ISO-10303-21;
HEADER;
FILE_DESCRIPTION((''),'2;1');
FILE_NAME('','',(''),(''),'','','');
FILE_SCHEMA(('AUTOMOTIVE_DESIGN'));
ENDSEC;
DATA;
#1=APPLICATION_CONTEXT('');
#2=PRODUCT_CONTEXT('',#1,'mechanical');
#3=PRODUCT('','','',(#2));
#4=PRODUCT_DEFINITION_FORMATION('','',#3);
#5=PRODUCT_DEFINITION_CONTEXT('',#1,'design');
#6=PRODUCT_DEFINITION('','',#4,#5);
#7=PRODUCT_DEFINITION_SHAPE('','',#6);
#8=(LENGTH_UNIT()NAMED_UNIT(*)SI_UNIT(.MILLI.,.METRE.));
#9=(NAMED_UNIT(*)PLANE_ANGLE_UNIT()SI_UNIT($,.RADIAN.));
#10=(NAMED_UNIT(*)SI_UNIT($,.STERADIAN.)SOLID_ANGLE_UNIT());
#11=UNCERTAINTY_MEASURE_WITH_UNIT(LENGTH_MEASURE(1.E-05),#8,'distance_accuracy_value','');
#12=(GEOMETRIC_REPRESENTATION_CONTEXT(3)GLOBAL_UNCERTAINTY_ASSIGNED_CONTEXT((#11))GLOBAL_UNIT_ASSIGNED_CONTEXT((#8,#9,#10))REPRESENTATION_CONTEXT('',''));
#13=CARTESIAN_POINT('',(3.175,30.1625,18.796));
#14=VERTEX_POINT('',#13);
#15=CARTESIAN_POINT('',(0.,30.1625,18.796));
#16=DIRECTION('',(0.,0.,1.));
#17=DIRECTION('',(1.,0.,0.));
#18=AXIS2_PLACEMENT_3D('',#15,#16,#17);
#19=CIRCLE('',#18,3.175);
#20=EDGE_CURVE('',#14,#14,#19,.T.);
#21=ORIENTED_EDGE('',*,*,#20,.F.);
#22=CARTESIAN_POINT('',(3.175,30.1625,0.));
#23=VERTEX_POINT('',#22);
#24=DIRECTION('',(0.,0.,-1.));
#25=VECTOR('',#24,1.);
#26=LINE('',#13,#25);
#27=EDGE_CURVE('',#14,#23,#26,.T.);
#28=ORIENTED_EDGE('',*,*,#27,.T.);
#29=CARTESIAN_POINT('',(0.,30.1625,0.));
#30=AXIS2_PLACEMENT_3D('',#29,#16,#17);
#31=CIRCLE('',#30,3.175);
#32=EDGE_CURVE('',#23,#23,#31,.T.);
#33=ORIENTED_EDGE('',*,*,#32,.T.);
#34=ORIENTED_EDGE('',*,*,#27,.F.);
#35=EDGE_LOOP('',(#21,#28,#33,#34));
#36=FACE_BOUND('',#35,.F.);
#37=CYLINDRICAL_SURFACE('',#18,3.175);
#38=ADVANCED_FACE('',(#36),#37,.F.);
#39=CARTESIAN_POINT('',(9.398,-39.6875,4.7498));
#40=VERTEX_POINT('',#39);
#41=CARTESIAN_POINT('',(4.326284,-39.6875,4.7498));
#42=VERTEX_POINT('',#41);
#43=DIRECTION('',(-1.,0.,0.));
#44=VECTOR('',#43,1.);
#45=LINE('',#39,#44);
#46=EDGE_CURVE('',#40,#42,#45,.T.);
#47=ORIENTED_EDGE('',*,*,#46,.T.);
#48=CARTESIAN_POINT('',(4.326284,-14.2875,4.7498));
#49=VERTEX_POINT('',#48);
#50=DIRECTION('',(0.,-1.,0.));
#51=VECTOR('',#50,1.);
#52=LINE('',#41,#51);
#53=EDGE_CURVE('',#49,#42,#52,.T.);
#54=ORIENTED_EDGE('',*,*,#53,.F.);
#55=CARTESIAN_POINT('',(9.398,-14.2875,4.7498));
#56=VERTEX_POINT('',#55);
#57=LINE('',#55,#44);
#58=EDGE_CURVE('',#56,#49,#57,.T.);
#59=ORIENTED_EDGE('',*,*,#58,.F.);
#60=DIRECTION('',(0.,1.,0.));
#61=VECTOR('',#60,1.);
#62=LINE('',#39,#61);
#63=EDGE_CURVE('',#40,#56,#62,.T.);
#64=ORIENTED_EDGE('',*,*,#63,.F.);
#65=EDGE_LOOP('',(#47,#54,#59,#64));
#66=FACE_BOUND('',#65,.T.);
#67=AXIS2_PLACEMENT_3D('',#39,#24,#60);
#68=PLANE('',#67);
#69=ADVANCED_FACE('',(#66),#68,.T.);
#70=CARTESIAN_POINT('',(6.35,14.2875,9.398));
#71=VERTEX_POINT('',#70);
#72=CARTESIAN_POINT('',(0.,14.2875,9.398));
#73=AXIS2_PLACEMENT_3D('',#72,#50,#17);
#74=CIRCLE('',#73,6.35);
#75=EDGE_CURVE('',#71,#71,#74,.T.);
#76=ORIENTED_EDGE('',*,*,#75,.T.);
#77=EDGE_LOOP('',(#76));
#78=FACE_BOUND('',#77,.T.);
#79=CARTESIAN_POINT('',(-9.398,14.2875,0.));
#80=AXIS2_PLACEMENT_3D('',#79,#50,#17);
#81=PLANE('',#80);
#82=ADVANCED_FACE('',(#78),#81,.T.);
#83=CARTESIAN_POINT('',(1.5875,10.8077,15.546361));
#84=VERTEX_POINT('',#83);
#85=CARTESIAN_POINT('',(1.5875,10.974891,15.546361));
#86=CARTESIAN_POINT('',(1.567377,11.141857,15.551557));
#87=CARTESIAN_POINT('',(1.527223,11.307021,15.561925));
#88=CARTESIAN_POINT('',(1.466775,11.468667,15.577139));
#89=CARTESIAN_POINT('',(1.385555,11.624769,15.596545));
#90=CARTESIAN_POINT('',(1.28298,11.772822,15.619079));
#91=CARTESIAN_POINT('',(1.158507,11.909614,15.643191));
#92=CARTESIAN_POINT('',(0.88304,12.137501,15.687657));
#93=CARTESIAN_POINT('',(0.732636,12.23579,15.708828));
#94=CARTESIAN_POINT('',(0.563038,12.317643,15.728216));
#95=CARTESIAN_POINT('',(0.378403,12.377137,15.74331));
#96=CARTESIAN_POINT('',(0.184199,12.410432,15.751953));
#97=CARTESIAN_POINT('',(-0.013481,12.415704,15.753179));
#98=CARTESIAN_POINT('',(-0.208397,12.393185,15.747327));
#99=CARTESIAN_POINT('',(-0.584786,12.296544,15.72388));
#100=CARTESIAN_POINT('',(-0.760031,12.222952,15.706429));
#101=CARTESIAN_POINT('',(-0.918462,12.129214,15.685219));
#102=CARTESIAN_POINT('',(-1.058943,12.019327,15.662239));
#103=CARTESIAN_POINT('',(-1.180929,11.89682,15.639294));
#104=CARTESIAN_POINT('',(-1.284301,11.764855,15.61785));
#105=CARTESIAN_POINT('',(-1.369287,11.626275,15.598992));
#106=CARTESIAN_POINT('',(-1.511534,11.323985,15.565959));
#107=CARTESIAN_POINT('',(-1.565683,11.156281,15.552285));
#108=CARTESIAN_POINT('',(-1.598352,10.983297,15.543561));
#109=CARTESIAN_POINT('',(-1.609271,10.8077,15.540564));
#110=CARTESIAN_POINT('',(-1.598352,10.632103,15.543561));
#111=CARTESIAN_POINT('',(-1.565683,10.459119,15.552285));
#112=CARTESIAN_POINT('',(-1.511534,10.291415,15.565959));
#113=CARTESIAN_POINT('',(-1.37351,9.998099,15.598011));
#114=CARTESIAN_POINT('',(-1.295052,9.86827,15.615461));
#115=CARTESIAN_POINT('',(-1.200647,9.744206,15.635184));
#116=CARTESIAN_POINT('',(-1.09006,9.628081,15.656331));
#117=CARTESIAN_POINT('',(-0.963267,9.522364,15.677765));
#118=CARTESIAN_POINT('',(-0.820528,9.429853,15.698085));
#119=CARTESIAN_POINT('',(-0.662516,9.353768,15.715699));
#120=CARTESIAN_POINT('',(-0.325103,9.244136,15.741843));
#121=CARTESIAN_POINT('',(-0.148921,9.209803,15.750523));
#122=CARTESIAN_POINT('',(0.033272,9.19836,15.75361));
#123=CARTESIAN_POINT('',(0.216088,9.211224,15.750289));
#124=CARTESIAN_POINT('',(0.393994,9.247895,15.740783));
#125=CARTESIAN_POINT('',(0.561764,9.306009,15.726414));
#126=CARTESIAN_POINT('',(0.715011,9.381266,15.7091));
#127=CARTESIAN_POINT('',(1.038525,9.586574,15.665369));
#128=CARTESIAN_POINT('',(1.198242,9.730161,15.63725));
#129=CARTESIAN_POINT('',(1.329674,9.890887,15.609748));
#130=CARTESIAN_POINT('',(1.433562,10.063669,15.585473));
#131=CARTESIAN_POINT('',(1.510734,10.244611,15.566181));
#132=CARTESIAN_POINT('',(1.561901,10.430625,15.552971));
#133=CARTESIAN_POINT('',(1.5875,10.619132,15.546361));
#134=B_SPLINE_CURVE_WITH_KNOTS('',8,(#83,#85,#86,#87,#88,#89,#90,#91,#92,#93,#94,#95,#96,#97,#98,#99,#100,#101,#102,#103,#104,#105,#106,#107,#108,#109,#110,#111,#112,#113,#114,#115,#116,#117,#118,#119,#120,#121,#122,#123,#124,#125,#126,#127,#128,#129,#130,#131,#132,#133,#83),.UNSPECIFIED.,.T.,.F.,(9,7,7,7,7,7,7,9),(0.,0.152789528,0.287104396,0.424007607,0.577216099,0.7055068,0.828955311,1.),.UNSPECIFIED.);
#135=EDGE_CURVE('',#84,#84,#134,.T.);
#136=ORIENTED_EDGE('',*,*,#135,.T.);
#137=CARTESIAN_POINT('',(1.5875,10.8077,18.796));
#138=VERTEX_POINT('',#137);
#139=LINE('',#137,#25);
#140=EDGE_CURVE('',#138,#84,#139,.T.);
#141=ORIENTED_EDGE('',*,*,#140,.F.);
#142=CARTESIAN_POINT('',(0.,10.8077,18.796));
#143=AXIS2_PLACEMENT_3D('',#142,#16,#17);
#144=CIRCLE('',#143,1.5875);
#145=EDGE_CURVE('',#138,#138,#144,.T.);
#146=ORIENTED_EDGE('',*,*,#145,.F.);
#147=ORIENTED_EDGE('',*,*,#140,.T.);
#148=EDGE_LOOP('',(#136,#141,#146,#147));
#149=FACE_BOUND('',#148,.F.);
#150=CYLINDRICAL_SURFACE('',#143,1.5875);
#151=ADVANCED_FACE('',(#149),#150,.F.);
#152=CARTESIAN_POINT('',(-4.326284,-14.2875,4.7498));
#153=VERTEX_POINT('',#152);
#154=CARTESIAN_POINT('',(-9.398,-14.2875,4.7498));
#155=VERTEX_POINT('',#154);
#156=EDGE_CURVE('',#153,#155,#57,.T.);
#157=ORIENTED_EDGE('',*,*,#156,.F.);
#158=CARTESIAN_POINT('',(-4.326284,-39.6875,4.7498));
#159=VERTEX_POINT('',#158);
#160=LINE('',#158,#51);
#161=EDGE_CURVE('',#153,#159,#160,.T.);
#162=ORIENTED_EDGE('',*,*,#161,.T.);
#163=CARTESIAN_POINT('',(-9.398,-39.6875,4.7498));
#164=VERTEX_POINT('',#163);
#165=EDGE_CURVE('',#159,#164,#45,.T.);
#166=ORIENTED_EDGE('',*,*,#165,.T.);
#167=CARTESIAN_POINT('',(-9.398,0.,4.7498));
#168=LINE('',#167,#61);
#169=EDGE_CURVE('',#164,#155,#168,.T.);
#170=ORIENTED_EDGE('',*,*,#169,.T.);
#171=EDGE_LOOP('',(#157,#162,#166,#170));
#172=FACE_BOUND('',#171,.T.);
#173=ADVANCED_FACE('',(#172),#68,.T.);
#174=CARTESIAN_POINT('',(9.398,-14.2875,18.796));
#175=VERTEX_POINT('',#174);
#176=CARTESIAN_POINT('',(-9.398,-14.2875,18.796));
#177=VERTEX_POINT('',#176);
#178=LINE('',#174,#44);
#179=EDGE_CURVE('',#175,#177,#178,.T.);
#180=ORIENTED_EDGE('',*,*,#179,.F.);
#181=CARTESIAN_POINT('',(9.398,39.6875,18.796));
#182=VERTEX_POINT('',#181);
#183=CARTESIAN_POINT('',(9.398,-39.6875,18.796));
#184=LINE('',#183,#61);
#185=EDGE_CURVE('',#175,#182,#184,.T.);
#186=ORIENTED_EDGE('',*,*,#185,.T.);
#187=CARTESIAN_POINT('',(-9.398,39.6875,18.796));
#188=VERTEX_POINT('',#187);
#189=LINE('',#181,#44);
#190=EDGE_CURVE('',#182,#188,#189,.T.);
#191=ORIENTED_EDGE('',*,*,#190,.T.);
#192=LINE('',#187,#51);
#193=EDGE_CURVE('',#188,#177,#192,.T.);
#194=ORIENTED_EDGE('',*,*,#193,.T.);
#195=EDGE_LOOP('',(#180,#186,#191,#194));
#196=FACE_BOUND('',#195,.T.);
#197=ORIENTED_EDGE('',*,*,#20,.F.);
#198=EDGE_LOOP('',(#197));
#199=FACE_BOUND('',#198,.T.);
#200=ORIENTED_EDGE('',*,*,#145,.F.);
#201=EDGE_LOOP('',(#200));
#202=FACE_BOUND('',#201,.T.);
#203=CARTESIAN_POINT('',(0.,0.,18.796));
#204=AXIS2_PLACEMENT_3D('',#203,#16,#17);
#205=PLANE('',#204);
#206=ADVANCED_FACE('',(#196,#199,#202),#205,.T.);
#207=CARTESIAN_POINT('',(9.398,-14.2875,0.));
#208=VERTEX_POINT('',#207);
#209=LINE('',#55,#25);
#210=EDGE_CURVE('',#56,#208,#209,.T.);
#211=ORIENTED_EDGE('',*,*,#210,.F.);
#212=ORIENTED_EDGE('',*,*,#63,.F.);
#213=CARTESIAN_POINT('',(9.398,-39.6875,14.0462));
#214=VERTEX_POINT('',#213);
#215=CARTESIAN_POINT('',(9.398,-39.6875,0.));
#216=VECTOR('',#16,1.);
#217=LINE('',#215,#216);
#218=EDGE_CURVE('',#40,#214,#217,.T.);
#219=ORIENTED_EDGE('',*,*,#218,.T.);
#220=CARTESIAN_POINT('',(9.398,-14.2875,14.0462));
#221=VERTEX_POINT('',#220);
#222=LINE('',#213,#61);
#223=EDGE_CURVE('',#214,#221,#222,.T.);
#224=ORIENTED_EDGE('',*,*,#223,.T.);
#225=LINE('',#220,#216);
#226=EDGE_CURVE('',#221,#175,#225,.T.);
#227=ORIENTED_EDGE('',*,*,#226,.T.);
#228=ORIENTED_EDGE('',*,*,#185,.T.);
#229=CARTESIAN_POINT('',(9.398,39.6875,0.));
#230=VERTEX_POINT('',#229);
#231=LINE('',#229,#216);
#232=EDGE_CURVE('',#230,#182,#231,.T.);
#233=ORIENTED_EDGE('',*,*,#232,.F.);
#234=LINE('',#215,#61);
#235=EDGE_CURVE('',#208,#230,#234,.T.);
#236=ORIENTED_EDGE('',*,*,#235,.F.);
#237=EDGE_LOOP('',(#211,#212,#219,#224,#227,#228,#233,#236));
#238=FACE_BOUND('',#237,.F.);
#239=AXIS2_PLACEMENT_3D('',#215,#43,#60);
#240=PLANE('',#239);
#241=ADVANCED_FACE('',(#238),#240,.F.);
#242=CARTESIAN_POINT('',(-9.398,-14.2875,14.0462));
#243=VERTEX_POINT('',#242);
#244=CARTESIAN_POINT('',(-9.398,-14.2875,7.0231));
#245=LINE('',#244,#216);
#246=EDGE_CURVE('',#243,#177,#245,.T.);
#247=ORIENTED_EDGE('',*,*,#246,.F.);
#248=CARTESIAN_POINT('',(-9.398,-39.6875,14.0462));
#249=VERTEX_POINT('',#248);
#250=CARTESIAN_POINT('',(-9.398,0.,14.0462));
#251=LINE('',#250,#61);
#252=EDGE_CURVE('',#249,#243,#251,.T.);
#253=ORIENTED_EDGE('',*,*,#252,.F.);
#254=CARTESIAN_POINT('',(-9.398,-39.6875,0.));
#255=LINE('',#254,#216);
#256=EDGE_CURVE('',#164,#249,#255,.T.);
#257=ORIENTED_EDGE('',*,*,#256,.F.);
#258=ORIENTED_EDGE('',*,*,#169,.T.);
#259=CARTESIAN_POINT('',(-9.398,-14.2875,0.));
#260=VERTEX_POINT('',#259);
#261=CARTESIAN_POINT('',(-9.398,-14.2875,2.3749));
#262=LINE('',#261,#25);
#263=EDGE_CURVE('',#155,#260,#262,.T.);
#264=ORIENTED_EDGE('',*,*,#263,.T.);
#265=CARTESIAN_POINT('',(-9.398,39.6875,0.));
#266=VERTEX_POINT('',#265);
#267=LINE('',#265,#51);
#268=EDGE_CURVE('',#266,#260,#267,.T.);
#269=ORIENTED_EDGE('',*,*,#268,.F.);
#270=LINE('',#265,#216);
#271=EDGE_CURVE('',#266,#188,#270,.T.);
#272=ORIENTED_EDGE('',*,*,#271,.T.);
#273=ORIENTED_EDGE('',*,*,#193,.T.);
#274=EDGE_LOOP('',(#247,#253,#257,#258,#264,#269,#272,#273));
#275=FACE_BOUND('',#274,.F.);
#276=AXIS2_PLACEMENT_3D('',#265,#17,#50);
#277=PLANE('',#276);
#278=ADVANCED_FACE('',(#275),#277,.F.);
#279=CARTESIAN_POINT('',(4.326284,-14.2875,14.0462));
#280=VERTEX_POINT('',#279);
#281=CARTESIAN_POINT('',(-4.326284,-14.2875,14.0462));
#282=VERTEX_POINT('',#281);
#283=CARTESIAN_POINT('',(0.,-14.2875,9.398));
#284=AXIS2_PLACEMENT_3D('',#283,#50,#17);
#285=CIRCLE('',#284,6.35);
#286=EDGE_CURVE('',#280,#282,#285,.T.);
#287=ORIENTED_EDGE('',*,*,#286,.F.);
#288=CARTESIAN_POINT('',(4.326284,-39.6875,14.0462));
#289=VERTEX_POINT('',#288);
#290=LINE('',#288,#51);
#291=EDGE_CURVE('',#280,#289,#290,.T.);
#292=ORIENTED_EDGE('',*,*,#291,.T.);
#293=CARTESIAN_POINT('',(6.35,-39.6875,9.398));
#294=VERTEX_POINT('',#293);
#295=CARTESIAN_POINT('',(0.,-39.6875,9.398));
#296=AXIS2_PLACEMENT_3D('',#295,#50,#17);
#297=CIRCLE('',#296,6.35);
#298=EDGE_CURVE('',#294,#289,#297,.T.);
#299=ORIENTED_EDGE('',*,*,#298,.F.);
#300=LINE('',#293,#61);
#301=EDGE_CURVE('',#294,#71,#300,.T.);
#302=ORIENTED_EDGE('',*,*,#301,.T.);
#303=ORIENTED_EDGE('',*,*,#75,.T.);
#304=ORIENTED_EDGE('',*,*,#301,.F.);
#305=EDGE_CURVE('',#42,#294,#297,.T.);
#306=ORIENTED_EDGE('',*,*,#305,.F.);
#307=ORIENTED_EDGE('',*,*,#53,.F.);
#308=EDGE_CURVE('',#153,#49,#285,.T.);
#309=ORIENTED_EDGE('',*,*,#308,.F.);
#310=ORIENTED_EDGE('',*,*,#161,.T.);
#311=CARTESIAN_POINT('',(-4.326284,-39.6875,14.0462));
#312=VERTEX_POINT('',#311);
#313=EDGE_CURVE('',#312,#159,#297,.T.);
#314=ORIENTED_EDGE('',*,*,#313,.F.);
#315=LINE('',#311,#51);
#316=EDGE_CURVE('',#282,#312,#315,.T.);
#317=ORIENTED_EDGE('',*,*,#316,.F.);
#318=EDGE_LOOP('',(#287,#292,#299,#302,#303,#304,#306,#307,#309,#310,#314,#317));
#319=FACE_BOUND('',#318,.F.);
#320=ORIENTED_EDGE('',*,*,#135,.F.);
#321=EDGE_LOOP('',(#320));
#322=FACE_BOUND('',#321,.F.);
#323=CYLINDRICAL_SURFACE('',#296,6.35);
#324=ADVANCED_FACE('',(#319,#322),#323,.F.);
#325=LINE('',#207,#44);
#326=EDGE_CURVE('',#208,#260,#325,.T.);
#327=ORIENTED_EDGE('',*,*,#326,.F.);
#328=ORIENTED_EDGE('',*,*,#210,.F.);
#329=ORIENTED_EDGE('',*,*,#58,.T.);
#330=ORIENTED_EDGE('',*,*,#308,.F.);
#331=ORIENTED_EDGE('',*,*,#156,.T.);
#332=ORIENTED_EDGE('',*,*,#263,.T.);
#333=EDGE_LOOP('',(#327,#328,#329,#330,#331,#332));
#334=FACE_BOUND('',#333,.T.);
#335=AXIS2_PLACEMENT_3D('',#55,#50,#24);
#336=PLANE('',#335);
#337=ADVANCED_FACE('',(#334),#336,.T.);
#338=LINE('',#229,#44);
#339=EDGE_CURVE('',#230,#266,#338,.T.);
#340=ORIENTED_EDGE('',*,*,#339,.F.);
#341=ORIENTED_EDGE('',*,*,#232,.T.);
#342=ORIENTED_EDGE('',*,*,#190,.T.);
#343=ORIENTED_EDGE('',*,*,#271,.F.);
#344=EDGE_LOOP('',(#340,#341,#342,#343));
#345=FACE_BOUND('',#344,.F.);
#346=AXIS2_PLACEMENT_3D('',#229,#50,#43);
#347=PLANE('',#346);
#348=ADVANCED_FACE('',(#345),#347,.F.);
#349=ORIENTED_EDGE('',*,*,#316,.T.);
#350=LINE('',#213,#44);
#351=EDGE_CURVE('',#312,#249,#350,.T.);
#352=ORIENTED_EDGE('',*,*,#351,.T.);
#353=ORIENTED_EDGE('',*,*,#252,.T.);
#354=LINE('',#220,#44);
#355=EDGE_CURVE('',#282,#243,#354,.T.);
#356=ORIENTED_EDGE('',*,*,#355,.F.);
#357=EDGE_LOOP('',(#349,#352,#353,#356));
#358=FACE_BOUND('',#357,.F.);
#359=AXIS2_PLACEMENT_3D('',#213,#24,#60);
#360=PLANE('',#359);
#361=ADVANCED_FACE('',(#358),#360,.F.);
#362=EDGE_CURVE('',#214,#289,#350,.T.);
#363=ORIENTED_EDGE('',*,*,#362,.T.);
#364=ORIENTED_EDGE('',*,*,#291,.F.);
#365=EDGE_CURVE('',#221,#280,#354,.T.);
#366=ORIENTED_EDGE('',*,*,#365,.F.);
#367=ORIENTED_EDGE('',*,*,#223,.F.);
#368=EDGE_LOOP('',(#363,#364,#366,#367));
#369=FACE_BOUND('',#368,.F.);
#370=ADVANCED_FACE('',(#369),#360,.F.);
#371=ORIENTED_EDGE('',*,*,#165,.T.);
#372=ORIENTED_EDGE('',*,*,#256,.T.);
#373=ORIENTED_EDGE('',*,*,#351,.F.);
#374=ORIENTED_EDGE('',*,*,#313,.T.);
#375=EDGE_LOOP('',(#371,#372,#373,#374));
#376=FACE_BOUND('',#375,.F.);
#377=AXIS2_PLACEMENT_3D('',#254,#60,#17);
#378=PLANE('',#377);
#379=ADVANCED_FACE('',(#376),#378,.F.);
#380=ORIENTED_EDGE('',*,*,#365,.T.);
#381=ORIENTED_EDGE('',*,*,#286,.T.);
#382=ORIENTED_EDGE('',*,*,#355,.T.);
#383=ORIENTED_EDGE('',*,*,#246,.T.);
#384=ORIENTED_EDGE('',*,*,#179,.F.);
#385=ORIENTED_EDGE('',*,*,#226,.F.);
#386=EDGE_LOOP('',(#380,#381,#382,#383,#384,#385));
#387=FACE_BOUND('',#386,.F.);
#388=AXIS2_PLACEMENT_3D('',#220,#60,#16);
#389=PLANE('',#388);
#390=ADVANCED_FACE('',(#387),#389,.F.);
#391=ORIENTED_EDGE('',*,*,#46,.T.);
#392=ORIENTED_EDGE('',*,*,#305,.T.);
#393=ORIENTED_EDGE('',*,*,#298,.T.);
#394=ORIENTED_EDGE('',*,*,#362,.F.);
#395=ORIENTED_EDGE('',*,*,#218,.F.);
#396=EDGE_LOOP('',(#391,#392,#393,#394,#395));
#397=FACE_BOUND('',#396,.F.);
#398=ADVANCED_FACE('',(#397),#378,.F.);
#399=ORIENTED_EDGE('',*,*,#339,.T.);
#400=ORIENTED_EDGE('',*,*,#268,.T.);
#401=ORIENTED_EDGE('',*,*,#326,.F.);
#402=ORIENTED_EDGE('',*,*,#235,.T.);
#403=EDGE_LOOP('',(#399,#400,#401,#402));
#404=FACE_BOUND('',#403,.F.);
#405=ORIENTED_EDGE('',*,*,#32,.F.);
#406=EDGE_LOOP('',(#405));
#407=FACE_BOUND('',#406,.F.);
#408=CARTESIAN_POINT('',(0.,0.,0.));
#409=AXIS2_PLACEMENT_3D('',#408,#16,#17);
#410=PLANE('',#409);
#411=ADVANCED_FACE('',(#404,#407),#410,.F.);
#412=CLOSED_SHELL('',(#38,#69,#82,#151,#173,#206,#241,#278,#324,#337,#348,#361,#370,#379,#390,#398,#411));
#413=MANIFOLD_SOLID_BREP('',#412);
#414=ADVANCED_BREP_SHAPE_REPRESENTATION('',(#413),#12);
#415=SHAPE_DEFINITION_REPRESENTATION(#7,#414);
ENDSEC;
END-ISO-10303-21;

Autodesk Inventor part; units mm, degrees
ref_plane "YZ Plane" through (0, 0, 0) normal (1, 0, 0) x (0, 1, 0)
ref_plane "XZ Plane" through (0, 0, 0) normal (0, 1, 0) x (-1, 0, 0)
ref_plane "XY Plane" through (0, 0, 0) normal (0, 0, 1) x (1, 0, 0)
sketch "Sketch1" plane through (0, 0, 0) normal (0, 0, 1) x (1, 0, 0)
  line L0 (-9.398, -39.6875) -> (9.398, -39.6875)
  line L1 (9.398, -39.6875) -> (9.398, 39.6875)
  line L2 (9.398, 39.6875) -> (-9.398, 39.6875)
  line L3 (-9.398, 39.6875) -> (-9.398, -39.6875)
  line L4 (-9.398, -39.6875) -> (9.398, 39.6875) construction
  line L5 (9.398, -39.6875) -> (-9.398, 39.6875) construction
  point P0 (0, 0)
  dimension "d0" = 18.796
  dimension "d1" = 79.375
extrude "Extrusion1" add sketch "Sketch1" along normal blind 18.796
sketch "Sketch2" plane through (0, 0, 18.796) normal (0, 0, 1) x (1, 0, 0)
  circle A0 centre (0, 30.1625) radius 3.175
  line L0 (9.398, -39.6875) -> (9.398, 39.6875) projected
  line L1 (9.398, 39.6875) -> (-9.398, 39.6875) projected
  point P0 (0, 0)
  dimension "d4" = 6.35
  dimension "d5" = 9.398
  dimension "d6" = 9.525
extrude "Extrusion2" cut sketch "Sketch2" against normal blind 18.796
sketch "Sketch3" plane through (0, 0, 18.796) normal (0, 0, 1) x (1, 0, 0)
  circle A0 centre (0, 10.8077) radius 1.5875
  line L0 (9.398, -39.6875) -> (9.398, 39.6875) projected
  line L1 (9.398, 39.6875) -> (-9.398, 39.6875) projected
  point P0 (0, 0)
  dimension "d9" = 3.175
  dimension "d10" = 9.398
  dimension "d11" = 28.8798
extrude "Extrusion3" cut sketch "Sketch3" against normal blind 9.398
sketch "Sketch4" plane through (-9.398, -39.6875, 0) normal (0, -1, 0) x (1, 0, 0)
  circle A0 centre (9.398, 9.398) radius 6.35
  line L0 (18.796, 0) -> (18.796, 18.796) projected
  line L1 (0, 0) -> (18.796, 0) projected
  point P0 (9.398, 0)
  dimension "d14" = 12.7
  dimension "d15" = 9.398
  dimension "d16" = 9.398
extrude "Extrusion4" cut sketch "Sketch4" against normal blind 53.975
sketch "Sketch5" plane through (9.398, -39.6875, 0) normal (1, 0, 0) x (0, 0, -1)
  line L0 (-18.796, 79.375) -> (-18.796, 0) projected
  line L1 (-18.796, 0) -> (-14.0462, 0)
  line L2 (-14.0462, 0) -> (-14.0462, 25.4)
  line L3 (-14.0462, 25.4) -> (-18.796, 25.4)
  line L4 (-18.796, 25.4) -> (-18.796, 0)
  line L5 (0, 0) -> (-4.7498, 0)
  line L6 (-4.7498, 0) -> (-4.7498, 25.4)
  line L7 (-4.7498, 25.4) -> (0, 25.4)
  line L8 (0, 25.4) -> (0, 0)
  line L9 (0, 79.375) -> (-18.796, 79.375) projected
  line L10 (0, 0) -> (0, 79.375) projected
  point P0 (0, 39.6875)
  dimension "d19" = 53.975
  dimension "d20" = 4.7498
  dimension "d21" = 4.7498
  dimension "d22" = 0
extrude "Extrusion5" cut sketch "Sketch5" against normal blind 53.975
properties part number "Piston Block"
